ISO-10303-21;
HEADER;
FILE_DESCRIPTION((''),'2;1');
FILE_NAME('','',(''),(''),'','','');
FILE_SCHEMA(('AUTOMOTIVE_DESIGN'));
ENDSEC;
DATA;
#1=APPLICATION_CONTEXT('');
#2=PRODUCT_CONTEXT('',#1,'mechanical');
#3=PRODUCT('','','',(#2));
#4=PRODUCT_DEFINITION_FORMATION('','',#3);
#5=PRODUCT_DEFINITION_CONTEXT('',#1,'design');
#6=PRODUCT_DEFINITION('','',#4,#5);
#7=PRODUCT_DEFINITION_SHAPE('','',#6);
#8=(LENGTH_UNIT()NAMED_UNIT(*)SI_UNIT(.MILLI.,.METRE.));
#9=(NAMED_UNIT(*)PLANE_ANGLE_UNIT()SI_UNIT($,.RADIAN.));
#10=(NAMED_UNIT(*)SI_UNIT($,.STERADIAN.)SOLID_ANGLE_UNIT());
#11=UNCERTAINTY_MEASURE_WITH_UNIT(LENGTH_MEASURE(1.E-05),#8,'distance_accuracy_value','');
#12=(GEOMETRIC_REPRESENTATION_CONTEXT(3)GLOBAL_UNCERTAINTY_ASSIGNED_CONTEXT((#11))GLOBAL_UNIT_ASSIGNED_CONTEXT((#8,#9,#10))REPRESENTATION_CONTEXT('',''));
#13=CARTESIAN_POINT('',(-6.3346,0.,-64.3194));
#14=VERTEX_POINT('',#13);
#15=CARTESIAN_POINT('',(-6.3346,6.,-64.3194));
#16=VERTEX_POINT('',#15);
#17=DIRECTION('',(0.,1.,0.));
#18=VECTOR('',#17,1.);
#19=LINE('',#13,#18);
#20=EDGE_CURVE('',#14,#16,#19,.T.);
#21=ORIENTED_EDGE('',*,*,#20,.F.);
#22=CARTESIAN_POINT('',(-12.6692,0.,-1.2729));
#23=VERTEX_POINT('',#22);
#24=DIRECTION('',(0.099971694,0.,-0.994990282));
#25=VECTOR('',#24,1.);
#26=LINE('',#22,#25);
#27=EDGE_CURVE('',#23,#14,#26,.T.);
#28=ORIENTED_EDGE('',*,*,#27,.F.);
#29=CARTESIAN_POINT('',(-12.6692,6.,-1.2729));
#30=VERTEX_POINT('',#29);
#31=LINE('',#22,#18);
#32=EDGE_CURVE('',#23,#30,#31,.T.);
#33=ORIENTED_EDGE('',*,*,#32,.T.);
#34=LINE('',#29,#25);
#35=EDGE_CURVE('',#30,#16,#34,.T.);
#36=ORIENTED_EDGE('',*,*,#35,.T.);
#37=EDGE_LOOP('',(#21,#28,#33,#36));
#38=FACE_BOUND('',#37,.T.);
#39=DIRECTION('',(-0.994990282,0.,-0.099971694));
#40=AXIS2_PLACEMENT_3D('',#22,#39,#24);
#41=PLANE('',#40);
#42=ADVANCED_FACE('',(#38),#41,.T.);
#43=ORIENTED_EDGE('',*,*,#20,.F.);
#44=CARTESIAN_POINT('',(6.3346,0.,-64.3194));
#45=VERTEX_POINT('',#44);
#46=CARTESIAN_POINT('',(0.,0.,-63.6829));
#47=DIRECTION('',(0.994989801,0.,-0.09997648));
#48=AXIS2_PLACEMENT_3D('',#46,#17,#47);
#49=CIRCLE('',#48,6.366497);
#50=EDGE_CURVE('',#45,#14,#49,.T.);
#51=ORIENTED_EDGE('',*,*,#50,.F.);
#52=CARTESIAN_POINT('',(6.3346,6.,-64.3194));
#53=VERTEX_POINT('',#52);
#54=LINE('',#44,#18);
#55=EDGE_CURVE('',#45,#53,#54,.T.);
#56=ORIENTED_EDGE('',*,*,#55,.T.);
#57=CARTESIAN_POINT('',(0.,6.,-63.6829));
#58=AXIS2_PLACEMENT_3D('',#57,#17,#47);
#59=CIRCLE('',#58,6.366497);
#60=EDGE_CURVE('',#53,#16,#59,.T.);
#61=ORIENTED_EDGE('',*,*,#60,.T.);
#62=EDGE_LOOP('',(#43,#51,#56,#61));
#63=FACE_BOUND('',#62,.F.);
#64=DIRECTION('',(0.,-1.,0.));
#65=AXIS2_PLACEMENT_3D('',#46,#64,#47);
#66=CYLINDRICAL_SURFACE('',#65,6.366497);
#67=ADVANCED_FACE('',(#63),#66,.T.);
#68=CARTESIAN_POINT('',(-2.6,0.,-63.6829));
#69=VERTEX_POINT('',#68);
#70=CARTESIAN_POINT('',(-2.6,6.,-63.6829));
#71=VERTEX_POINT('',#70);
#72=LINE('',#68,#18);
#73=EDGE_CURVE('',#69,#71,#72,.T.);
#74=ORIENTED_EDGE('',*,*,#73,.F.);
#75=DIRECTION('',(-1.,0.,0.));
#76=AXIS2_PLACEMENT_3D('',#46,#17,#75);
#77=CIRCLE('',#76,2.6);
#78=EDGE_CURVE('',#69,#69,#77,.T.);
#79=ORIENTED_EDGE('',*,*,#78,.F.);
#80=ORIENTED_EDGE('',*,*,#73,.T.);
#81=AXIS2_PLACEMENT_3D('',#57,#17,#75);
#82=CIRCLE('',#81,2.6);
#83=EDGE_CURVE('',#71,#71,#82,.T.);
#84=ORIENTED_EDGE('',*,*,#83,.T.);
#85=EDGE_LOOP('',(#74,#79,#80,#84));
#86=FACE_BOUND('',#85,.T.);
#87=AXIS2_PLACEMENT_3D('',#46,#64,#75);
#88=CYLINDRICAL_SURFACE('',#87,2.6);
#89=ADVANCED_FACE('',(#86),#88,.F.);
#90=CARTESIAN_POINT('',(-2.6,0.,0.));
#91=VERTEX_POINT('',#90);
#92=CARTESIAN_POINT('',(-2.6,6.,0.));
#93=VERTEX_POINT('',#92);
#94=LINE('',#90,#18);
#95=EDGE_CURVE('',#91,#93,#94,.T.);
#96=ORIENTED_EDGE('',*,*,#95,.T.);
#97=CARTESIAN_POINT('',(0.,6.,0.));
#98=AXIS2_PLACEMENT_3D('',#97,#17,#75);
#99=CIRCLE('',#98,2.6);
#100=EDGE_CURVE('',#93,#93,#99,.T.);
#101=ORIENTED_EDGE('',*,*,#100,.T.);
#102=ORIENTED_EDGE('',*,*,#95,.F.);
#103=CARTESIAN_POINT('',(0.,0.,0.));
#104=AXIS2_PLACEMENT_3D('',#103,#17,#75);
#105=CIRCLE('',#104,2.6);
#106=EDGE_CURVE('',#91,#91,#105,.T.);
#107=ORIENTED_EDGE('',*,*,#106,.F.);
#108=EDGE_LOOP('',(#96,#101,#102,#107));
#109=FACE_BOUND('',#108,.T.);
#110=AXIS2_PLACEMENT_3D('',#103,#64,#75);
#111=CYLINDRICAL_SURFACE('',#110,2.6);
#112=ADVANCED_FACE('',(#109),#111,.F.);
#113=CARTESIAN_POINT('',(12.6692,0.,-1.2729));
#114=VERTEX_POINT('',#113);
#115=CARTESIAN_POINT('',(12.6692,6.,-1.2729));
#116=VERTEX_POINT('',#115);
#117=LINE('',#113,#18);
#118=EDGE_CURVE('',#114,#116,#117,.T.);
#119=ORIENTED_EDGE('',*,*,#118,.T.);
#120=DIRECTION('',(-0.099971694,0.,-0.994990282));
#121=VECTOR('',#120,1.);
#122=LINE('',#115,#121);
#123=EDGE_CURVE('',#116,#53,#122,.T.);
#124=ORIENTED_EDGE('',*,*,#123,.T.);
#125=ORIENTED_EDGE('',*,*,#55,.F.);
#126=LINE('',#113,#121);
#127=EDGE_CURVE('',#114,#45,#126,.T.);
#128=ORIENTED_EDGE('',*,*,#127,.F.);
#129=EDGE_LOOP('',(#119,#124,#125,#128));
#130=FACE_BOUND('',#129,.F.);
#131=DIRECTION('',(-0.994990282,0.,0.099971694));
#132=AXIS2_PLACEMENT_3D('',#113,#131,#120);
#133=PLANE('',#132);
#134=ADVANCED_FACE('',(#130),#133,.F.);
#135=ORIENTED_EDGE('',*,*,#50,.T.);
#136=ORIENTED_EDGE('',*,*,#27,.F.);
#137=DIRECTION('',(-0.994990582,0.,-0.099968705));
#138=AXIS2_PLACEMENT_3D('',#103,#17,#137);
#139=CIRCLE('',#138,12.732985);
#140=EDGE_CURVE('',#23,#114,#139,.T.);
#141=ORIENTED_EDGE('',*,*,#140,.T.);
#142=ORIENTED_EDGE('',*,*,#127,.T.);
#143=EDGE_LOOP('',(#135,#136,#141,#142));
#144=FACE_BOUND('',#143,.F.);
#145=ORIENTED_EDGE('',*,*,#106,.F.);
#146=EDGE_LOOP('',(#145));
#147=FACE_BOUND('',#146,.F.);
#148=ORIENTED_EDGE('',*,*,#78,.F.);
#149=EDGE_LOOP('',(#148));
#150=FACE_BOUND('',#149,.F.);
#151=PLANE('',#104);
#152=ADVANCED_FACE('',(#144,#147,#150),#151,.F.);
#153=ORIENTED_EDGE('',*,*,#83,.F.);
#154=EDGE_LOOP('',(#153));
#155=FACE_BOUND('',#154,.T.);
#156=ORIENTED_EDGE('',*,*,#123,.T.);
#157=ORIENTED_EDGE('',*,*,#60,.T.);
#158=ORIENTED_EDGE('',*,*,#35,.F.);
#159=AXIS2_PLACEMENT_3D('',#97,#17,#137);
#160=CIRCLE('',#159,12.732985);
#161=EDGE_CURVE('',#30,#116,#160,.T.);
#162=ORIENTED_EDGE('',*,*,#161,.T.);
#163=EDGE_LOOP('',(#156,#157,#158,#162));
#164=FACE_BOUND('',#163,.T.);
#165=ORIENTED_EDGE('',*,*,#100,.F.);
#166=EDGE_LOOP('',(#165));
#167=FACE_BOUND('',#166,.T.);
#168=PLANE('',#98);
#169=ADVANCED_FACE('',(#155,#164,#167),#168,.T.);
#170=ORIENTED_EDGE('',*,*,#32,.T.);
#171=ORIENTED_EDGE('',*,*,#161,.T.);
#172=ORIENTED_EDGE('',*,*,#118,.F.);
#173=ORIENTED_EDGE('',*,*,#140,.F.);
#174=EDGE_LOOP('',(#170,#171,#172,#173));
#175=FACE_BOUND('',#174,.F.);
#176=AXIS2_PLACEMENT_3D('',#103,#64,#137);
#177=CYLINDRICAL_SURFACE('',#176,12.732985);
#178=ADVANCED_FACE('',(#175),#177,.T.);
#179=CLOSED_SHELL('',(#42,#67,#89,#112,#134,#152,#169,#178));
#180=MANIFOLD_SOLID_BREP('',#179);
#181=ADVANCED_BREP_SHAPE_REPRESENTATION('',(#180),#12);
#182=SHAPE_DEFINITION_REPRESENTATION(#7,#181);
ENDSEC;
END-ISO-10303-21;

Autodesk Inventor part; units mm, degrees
ref_plane "YZ Plane" through (0, 0, 0) normal (1, 0, 0) x (0, 1, 0)
ref_plane "XZ Plane" through (0, 0, 0) normal (0, 1, 0) x (-1, 0, 0)
ref_plane "XY Plane" through (0, 0, 0) normal (0, 0, 1) x (1, 0, 0)
sketch "Sketch1" plane through (0, 0, 0) normal (0, 1, 0) x (-1, 0, 0)
  arc A0 (12.6692, -1.2729) -> (-12.6692, -1.2729) centre (0, 0) ccw
  circle A1 centre (0, 0) radius 2.6
  arc A2 (-6.3346, -64.3194) -> (6.3346, -64.3194) centre (0, -63.6829) ccw
  circle A3 centre (0, -63.6829) radius 2.6
  line L0 (12.6692, -1.2729) -> (6.3346, -64.3194)
  line L1 (-12.6692, -1.2729) -> (-6.3346, -64.3194)
  dimension "d0" = 25.466
  dimension "d5" = 5.2
  dimension "d6" = 12.733
  dimension "d8" = 5.2
  dimension "d10" = 63.6829
extrude "Extrusion1" add sketch "Sketch1" along normal blind 6
properties part number "spacing test"
